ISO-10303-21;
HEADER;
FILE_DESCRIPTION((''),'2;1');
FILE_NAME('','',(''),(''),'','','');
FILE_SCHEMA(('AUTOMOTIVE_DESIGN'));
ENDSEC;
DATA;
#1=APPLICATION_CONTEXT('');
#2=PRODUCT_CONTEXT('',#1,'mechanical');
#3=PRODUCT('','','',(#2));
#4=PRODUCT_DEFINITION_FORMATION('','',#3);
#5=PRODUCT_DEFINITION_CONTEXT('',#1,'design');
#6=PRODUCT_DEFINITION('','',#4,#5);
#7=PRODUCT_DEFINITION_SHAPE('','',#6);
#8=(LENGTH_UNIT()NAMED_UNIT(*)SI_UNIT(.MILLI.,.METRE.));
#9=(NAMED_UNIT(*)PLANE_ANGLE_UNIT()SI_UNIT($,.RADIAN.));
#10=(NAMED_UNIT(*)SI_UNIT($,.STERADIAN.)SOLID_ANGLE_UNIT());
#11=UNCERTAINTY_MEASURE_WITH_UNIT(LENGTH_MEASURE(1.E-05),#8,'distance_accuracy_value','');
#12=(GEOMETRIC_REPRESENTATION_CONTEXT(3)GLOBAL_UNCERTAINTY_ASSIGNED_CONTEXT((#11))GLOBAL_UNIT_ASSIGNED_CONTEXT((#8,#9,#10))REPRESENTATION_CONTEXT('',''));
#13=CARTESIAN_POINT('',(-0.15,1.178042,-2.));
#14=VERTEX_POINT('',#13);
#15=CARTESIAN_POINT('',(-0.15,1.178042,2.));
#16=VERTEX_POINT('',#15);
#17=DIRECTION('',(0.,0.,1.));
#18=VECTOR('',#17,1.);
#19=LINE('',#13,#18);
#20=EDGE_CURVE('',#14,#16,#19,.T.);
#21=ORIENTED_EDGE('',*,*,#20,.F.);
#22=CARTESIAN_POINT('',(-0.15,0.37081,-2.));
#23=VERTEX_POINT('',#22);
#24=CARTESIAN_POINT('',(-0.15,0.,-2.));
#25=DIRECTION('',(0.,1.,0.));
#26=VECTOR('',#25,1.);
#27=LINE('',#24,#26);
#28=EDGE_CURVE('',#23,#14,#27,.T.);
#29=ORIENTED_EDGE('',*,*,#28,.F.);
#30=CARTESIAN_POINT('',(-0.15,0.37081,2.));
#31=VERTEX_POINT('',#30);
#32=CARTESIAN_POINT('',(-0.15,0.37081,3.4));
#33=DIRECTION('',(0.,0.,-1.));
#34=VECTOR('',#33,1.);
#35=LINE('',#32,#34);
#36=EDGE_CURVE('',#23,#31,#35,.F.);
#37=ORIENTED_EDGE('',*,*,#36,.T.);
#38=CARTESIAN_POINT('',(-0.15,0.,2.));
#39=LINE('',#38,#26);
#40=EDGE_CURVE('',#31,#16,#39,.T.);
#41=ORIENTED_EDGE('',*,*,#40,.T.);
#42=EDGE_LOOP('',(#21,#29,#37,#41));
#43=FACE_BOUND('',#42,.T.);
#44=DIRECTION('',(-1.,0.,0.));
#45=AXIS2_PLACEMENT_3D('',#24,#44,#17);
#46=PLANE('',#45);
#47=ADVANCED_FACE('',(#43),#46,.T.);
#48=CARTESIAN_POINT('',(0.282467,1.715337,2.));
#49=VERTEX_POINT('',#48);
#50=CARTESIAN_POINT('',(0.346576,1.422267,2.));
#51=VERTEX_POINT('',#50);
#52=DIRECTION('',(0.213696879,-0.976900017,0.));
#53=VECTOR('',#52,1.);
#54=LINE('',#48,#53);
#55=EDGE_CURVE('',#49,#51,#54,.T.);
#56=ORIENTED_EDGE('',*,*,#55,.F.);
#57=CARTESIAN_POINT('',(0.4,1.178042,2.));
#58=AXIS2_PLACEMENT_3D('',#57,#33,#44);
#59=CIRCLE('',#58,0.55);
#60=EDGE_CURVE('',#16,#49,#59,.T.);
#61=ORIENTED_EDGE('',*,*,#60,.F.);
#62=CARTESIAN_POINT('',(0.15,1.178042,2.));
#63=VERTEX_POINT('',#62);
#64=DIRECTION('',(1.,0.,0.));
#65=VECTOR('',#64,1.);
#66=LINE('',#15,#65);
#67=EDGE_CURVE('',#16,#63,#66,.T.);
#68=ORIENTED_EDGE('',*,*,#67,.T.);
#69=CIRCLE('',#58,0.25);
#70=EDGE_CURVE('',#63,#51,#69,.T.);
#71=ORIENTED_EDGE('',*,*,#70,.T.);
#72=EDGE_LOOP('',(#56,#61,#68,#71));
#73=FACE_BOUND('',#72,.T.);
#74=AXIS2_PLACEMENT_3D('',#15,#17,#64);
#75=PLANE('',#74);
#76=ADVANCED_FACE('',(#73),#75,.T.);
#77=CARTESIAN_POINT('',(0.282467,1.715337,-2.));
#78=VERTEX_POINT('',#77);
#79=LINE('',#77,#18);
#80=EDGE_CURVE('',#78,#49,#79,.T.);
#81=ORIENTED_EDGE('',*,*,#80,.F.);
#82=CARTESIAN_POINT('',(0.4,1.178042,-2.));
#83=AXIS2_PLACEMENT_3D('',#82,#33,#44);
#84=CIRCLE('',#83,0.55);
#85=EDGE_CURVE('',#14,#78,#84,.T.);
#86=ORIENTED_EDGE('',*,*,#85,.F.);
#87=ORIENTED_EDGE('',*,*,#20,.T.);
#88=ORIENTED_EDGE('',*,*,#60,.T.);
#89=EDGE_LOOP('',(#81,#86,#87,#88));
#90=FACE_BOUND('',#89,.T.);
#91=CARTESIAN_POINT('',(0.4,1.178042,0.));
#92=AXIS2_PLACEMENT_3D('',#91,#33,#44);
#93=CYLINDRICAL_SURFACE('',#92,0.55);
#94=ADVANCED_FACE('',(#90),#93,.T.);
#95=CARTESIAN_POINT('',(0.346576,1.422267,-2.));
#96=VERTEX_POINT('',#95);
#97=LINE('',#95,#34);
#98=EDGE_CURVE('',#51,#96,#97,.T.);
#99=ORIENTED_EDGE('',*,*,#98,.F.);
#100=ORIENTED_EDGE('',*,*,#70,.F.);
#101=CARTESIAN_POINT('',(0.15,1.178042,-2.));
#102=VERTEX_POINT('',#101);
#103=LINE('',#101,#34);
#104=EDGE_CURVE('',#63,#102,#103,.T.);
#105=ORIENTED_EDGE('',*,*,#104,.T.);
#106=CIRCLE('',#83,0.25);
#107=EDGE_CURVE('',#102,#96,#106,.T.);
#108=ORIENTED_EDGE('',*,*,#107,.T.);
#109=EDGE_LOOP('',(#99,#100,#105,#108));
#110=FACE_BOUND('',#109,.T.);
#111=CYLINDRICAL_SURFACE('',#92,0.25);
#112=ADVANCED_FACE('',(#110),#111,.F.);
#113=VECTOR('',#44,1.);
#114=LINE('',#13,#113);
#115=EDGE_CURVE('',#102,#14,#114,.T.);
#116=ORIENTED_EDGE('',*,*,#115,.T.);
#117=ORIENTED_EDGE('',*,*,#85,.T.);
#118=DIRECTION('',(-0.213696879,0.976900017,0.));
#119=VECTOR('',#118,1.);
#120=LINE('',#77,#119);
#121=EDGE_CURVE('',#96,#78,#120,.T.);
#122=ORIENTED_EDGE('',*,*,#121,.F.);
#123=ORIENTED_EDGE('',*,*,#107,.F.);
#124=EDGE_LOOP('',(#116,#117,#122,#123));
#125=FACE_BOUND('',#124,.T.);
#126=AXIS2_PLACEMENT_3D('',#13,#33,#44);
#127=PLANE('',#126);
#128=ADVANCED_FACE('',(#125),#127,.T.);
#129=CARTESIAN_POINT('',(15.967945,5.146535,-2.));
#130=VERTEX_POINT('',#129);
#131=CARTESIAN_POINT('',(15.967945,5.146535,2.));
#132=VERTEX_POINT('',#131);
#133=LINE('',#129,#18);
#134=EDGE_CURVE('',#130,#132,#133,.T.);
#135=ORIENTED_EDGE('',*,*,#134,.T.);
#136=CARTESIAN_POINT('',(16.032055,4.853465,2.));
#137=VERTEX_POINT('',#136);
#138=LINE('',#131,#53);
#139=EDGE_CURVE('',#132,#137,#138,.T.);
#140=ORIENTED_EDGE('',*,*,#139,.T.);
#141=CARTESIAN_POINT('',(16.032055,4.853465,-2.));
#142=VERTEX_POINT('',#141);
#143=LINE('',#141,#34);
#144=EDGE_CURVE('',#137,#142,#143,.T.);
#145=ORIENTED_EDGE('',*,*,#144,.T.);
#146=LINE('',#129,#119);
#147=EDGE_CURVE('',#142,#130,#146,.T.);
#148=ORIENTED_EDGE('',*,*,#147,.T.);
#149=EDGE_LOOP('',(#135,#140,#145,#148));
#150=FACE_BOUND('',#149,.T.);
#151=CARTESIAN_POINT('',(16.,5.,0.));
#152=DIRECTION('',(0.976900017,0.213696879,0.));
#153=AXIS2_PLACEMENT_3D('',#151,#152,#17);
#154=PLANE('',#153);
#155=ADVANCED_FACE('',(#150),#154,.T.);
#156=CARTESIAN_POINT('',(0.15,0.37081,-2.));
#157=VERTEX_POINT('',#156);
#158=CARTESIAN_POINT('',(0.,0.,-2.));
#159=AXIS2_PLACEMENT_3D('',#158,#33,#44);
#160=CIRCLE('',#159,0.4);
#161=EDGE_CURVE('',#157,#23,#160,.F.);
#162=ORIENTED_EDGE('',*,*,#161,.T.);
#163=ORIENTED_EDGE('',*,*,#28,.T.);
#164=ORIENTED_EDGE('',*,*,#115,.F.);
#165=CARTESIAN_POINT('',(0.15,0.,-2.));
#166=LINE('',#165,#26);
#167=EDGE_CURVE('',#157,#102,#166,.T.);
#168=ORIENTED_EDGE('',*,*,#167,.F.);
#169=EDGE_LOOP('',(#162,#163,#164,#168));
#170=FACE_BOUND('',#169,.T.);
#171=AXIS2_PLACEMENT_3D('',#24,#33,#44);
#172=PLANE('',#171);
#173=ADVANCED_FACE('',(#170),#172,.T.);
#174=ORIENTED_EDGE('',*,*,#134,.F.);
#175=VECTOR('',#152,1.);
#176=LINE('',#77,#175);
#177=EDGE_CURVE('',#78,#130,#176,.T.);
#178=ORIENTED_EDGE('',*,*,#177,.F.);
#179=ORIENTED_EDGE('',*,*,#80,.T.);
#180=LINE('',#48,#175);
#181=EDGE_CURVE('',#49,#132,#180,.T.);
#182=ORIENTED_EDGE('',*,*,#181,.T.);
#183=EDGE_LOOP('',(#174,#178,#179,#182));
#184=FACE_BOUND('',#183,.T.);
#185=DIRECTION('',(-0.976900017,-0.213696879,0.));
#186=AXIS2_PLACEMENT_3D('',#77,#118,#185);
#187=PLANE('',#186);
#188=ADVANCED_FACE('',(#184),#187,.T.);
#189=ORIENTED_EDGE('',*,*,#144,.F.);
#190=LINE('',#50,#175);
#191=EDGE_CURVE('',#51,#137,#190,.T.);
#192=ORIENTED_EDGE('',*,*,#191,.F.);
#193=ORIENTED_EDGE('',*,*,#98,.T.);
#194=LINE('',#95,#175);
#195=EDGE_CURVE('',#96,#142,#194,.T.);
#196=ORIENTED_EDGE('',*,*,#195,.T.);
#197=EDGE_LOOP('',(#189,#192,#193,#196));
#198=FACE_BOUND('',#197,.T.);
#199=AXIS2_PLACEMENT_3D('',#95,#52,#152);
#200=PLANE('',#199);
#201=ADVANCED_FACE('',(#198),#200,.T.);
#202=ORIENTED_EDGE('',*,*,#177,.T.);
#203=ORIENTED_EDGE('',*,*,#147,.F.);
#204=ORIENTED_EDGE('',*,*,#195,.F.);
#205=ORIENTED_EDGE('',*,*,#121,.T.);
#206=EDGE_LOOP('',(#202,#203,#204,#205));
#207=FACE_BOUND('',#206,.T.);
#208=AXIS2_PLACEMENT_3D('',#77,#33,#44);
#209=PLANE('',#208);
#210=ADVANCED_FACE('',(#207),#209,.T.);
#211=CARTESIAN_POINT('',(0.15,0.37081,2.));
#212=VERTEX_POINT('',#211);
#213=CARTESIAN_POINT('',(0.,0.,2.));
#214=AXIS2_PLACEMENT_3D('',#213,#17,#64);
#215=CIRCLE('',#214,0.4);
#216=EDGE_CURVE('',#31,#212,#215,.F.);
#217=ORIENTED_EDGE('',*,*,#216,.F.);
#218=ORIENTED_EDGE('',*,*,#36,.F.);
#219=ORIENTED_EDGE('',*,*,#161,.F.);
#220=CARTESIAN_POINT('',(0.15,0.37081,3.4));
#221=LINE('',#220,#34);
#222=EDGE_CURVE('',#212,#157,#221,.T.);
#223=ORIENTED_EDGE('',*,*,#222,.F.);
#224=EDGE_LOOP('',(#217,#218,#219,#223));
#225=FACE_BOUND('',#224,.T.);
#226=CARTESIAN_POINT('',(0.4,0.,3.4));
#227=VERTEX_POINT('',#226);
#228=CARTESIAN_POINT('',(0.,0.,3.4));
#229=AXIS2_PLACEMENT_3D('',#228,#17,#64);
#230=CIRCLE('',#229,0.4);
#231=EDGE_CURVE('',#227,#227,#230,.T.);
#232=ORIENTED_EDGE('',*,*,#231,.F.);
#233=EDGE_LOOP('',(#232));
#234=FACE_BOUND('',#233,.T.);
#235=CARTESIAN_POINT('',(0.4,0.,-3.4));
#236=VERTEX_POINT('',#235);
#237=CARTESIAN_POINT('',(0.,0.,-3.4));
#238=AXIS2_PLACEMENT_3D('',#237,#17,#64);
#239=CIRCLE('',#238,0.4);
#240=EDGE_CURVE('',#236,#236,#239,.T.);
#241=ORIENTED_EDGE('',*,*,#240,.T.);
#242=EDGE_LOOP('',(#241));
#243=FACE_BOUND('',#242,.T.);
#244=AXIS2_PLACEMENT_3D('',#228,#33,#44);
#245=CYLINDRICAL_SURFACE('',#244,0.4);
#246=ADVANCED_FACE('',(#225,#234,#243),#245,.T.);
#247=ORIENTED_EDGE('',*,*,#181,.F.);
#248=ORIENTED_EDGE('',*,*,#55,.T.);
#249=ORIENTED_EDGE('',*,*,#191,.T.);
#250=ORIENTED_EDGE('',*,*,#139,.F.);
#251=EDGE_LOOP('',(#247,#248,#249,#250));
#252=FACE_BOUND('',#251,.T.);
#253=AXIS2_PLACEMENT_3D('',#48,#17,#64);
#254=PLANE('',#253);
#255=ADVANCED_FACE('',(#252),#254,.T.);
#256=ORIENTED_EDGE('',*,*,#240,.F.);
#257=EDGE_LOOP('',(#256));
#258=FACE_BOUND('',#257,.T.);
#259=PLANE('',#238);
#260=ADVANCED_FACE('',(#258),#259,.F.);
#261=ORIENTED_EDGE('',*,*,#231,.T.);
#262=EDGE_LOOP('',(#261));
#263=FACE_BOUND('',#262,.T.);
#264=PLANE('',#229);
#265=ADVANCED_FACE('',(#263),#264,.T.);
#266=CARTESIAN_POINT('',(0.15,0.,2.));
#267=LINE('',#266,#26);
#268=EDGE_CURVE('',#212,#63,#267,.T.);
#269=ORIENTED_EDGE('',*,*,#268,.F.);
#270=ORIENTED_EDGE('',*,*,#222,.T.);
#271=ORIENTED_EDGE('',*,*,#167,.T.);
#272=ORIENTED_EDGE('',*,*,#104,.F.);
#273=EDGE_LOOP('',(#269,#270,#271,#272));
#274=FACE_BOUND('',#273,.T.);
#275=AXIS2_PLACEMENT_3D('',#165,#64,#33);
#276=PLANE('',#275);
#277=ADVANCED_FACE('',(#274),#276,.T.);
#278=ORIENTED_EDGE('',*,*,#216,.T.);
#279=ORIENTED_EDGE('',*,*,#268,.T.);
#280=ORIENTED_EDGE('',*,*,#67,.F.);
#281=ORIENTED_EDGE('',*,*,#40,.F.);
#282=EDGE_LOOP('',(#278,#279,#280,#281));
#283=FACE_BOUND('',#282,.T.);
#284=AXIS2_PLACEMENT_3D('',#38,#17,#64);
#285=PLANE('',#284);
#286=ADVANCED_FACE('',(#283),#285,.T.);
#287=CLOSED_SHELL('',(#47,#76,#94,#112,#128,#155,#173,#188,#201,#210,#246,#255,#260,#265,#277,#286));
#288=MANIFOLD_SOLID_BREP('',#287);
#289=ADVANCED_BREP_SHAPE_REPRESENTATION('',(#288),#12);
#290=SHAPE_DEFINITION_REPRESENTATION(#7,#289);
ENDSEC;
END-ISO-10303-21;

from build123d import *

# Parameters (mm, degrees)
SKETCH2_W           = 0.3
SKETCH2_H           = 4
SKETCH4_R           = 0.4
BOSS_EXTRUDE1_DEPTH = 3.4


with BuildPart() as part:
    # Sweep1: sweep along a path in Sketch1
    with BuildLine(Plane.XY) as sweep1_path:
        Line((0, 0), (0, 1.178041516))
        ThreePointArc((0, 1.178041516), (0.08839809, 1.428848712), (0.314521248, 1.568801523))
        Line((0.314521248, 1.568801523), (16, 5))
    # Sketch2 → Sweep1 (sweep)
    with BuildSketch(Plane(origin=(0, 0, 0), x_dir=(1, 0, 0), z_dir=(0, 1, 0))):
        Rectangle(SKETCH2_W, SKETCH2_H)
    sweep(path=sweep1_path.line)

    # Sketch4 → Boss-Extrude1 (add, symmetric)
    with BuildSketch(Plane.XY):
        Circle(SKETCH4_R)
    extrude(amount=BOSS_EXTRUDE1_DEPTH, both=True)


solid = part.part
